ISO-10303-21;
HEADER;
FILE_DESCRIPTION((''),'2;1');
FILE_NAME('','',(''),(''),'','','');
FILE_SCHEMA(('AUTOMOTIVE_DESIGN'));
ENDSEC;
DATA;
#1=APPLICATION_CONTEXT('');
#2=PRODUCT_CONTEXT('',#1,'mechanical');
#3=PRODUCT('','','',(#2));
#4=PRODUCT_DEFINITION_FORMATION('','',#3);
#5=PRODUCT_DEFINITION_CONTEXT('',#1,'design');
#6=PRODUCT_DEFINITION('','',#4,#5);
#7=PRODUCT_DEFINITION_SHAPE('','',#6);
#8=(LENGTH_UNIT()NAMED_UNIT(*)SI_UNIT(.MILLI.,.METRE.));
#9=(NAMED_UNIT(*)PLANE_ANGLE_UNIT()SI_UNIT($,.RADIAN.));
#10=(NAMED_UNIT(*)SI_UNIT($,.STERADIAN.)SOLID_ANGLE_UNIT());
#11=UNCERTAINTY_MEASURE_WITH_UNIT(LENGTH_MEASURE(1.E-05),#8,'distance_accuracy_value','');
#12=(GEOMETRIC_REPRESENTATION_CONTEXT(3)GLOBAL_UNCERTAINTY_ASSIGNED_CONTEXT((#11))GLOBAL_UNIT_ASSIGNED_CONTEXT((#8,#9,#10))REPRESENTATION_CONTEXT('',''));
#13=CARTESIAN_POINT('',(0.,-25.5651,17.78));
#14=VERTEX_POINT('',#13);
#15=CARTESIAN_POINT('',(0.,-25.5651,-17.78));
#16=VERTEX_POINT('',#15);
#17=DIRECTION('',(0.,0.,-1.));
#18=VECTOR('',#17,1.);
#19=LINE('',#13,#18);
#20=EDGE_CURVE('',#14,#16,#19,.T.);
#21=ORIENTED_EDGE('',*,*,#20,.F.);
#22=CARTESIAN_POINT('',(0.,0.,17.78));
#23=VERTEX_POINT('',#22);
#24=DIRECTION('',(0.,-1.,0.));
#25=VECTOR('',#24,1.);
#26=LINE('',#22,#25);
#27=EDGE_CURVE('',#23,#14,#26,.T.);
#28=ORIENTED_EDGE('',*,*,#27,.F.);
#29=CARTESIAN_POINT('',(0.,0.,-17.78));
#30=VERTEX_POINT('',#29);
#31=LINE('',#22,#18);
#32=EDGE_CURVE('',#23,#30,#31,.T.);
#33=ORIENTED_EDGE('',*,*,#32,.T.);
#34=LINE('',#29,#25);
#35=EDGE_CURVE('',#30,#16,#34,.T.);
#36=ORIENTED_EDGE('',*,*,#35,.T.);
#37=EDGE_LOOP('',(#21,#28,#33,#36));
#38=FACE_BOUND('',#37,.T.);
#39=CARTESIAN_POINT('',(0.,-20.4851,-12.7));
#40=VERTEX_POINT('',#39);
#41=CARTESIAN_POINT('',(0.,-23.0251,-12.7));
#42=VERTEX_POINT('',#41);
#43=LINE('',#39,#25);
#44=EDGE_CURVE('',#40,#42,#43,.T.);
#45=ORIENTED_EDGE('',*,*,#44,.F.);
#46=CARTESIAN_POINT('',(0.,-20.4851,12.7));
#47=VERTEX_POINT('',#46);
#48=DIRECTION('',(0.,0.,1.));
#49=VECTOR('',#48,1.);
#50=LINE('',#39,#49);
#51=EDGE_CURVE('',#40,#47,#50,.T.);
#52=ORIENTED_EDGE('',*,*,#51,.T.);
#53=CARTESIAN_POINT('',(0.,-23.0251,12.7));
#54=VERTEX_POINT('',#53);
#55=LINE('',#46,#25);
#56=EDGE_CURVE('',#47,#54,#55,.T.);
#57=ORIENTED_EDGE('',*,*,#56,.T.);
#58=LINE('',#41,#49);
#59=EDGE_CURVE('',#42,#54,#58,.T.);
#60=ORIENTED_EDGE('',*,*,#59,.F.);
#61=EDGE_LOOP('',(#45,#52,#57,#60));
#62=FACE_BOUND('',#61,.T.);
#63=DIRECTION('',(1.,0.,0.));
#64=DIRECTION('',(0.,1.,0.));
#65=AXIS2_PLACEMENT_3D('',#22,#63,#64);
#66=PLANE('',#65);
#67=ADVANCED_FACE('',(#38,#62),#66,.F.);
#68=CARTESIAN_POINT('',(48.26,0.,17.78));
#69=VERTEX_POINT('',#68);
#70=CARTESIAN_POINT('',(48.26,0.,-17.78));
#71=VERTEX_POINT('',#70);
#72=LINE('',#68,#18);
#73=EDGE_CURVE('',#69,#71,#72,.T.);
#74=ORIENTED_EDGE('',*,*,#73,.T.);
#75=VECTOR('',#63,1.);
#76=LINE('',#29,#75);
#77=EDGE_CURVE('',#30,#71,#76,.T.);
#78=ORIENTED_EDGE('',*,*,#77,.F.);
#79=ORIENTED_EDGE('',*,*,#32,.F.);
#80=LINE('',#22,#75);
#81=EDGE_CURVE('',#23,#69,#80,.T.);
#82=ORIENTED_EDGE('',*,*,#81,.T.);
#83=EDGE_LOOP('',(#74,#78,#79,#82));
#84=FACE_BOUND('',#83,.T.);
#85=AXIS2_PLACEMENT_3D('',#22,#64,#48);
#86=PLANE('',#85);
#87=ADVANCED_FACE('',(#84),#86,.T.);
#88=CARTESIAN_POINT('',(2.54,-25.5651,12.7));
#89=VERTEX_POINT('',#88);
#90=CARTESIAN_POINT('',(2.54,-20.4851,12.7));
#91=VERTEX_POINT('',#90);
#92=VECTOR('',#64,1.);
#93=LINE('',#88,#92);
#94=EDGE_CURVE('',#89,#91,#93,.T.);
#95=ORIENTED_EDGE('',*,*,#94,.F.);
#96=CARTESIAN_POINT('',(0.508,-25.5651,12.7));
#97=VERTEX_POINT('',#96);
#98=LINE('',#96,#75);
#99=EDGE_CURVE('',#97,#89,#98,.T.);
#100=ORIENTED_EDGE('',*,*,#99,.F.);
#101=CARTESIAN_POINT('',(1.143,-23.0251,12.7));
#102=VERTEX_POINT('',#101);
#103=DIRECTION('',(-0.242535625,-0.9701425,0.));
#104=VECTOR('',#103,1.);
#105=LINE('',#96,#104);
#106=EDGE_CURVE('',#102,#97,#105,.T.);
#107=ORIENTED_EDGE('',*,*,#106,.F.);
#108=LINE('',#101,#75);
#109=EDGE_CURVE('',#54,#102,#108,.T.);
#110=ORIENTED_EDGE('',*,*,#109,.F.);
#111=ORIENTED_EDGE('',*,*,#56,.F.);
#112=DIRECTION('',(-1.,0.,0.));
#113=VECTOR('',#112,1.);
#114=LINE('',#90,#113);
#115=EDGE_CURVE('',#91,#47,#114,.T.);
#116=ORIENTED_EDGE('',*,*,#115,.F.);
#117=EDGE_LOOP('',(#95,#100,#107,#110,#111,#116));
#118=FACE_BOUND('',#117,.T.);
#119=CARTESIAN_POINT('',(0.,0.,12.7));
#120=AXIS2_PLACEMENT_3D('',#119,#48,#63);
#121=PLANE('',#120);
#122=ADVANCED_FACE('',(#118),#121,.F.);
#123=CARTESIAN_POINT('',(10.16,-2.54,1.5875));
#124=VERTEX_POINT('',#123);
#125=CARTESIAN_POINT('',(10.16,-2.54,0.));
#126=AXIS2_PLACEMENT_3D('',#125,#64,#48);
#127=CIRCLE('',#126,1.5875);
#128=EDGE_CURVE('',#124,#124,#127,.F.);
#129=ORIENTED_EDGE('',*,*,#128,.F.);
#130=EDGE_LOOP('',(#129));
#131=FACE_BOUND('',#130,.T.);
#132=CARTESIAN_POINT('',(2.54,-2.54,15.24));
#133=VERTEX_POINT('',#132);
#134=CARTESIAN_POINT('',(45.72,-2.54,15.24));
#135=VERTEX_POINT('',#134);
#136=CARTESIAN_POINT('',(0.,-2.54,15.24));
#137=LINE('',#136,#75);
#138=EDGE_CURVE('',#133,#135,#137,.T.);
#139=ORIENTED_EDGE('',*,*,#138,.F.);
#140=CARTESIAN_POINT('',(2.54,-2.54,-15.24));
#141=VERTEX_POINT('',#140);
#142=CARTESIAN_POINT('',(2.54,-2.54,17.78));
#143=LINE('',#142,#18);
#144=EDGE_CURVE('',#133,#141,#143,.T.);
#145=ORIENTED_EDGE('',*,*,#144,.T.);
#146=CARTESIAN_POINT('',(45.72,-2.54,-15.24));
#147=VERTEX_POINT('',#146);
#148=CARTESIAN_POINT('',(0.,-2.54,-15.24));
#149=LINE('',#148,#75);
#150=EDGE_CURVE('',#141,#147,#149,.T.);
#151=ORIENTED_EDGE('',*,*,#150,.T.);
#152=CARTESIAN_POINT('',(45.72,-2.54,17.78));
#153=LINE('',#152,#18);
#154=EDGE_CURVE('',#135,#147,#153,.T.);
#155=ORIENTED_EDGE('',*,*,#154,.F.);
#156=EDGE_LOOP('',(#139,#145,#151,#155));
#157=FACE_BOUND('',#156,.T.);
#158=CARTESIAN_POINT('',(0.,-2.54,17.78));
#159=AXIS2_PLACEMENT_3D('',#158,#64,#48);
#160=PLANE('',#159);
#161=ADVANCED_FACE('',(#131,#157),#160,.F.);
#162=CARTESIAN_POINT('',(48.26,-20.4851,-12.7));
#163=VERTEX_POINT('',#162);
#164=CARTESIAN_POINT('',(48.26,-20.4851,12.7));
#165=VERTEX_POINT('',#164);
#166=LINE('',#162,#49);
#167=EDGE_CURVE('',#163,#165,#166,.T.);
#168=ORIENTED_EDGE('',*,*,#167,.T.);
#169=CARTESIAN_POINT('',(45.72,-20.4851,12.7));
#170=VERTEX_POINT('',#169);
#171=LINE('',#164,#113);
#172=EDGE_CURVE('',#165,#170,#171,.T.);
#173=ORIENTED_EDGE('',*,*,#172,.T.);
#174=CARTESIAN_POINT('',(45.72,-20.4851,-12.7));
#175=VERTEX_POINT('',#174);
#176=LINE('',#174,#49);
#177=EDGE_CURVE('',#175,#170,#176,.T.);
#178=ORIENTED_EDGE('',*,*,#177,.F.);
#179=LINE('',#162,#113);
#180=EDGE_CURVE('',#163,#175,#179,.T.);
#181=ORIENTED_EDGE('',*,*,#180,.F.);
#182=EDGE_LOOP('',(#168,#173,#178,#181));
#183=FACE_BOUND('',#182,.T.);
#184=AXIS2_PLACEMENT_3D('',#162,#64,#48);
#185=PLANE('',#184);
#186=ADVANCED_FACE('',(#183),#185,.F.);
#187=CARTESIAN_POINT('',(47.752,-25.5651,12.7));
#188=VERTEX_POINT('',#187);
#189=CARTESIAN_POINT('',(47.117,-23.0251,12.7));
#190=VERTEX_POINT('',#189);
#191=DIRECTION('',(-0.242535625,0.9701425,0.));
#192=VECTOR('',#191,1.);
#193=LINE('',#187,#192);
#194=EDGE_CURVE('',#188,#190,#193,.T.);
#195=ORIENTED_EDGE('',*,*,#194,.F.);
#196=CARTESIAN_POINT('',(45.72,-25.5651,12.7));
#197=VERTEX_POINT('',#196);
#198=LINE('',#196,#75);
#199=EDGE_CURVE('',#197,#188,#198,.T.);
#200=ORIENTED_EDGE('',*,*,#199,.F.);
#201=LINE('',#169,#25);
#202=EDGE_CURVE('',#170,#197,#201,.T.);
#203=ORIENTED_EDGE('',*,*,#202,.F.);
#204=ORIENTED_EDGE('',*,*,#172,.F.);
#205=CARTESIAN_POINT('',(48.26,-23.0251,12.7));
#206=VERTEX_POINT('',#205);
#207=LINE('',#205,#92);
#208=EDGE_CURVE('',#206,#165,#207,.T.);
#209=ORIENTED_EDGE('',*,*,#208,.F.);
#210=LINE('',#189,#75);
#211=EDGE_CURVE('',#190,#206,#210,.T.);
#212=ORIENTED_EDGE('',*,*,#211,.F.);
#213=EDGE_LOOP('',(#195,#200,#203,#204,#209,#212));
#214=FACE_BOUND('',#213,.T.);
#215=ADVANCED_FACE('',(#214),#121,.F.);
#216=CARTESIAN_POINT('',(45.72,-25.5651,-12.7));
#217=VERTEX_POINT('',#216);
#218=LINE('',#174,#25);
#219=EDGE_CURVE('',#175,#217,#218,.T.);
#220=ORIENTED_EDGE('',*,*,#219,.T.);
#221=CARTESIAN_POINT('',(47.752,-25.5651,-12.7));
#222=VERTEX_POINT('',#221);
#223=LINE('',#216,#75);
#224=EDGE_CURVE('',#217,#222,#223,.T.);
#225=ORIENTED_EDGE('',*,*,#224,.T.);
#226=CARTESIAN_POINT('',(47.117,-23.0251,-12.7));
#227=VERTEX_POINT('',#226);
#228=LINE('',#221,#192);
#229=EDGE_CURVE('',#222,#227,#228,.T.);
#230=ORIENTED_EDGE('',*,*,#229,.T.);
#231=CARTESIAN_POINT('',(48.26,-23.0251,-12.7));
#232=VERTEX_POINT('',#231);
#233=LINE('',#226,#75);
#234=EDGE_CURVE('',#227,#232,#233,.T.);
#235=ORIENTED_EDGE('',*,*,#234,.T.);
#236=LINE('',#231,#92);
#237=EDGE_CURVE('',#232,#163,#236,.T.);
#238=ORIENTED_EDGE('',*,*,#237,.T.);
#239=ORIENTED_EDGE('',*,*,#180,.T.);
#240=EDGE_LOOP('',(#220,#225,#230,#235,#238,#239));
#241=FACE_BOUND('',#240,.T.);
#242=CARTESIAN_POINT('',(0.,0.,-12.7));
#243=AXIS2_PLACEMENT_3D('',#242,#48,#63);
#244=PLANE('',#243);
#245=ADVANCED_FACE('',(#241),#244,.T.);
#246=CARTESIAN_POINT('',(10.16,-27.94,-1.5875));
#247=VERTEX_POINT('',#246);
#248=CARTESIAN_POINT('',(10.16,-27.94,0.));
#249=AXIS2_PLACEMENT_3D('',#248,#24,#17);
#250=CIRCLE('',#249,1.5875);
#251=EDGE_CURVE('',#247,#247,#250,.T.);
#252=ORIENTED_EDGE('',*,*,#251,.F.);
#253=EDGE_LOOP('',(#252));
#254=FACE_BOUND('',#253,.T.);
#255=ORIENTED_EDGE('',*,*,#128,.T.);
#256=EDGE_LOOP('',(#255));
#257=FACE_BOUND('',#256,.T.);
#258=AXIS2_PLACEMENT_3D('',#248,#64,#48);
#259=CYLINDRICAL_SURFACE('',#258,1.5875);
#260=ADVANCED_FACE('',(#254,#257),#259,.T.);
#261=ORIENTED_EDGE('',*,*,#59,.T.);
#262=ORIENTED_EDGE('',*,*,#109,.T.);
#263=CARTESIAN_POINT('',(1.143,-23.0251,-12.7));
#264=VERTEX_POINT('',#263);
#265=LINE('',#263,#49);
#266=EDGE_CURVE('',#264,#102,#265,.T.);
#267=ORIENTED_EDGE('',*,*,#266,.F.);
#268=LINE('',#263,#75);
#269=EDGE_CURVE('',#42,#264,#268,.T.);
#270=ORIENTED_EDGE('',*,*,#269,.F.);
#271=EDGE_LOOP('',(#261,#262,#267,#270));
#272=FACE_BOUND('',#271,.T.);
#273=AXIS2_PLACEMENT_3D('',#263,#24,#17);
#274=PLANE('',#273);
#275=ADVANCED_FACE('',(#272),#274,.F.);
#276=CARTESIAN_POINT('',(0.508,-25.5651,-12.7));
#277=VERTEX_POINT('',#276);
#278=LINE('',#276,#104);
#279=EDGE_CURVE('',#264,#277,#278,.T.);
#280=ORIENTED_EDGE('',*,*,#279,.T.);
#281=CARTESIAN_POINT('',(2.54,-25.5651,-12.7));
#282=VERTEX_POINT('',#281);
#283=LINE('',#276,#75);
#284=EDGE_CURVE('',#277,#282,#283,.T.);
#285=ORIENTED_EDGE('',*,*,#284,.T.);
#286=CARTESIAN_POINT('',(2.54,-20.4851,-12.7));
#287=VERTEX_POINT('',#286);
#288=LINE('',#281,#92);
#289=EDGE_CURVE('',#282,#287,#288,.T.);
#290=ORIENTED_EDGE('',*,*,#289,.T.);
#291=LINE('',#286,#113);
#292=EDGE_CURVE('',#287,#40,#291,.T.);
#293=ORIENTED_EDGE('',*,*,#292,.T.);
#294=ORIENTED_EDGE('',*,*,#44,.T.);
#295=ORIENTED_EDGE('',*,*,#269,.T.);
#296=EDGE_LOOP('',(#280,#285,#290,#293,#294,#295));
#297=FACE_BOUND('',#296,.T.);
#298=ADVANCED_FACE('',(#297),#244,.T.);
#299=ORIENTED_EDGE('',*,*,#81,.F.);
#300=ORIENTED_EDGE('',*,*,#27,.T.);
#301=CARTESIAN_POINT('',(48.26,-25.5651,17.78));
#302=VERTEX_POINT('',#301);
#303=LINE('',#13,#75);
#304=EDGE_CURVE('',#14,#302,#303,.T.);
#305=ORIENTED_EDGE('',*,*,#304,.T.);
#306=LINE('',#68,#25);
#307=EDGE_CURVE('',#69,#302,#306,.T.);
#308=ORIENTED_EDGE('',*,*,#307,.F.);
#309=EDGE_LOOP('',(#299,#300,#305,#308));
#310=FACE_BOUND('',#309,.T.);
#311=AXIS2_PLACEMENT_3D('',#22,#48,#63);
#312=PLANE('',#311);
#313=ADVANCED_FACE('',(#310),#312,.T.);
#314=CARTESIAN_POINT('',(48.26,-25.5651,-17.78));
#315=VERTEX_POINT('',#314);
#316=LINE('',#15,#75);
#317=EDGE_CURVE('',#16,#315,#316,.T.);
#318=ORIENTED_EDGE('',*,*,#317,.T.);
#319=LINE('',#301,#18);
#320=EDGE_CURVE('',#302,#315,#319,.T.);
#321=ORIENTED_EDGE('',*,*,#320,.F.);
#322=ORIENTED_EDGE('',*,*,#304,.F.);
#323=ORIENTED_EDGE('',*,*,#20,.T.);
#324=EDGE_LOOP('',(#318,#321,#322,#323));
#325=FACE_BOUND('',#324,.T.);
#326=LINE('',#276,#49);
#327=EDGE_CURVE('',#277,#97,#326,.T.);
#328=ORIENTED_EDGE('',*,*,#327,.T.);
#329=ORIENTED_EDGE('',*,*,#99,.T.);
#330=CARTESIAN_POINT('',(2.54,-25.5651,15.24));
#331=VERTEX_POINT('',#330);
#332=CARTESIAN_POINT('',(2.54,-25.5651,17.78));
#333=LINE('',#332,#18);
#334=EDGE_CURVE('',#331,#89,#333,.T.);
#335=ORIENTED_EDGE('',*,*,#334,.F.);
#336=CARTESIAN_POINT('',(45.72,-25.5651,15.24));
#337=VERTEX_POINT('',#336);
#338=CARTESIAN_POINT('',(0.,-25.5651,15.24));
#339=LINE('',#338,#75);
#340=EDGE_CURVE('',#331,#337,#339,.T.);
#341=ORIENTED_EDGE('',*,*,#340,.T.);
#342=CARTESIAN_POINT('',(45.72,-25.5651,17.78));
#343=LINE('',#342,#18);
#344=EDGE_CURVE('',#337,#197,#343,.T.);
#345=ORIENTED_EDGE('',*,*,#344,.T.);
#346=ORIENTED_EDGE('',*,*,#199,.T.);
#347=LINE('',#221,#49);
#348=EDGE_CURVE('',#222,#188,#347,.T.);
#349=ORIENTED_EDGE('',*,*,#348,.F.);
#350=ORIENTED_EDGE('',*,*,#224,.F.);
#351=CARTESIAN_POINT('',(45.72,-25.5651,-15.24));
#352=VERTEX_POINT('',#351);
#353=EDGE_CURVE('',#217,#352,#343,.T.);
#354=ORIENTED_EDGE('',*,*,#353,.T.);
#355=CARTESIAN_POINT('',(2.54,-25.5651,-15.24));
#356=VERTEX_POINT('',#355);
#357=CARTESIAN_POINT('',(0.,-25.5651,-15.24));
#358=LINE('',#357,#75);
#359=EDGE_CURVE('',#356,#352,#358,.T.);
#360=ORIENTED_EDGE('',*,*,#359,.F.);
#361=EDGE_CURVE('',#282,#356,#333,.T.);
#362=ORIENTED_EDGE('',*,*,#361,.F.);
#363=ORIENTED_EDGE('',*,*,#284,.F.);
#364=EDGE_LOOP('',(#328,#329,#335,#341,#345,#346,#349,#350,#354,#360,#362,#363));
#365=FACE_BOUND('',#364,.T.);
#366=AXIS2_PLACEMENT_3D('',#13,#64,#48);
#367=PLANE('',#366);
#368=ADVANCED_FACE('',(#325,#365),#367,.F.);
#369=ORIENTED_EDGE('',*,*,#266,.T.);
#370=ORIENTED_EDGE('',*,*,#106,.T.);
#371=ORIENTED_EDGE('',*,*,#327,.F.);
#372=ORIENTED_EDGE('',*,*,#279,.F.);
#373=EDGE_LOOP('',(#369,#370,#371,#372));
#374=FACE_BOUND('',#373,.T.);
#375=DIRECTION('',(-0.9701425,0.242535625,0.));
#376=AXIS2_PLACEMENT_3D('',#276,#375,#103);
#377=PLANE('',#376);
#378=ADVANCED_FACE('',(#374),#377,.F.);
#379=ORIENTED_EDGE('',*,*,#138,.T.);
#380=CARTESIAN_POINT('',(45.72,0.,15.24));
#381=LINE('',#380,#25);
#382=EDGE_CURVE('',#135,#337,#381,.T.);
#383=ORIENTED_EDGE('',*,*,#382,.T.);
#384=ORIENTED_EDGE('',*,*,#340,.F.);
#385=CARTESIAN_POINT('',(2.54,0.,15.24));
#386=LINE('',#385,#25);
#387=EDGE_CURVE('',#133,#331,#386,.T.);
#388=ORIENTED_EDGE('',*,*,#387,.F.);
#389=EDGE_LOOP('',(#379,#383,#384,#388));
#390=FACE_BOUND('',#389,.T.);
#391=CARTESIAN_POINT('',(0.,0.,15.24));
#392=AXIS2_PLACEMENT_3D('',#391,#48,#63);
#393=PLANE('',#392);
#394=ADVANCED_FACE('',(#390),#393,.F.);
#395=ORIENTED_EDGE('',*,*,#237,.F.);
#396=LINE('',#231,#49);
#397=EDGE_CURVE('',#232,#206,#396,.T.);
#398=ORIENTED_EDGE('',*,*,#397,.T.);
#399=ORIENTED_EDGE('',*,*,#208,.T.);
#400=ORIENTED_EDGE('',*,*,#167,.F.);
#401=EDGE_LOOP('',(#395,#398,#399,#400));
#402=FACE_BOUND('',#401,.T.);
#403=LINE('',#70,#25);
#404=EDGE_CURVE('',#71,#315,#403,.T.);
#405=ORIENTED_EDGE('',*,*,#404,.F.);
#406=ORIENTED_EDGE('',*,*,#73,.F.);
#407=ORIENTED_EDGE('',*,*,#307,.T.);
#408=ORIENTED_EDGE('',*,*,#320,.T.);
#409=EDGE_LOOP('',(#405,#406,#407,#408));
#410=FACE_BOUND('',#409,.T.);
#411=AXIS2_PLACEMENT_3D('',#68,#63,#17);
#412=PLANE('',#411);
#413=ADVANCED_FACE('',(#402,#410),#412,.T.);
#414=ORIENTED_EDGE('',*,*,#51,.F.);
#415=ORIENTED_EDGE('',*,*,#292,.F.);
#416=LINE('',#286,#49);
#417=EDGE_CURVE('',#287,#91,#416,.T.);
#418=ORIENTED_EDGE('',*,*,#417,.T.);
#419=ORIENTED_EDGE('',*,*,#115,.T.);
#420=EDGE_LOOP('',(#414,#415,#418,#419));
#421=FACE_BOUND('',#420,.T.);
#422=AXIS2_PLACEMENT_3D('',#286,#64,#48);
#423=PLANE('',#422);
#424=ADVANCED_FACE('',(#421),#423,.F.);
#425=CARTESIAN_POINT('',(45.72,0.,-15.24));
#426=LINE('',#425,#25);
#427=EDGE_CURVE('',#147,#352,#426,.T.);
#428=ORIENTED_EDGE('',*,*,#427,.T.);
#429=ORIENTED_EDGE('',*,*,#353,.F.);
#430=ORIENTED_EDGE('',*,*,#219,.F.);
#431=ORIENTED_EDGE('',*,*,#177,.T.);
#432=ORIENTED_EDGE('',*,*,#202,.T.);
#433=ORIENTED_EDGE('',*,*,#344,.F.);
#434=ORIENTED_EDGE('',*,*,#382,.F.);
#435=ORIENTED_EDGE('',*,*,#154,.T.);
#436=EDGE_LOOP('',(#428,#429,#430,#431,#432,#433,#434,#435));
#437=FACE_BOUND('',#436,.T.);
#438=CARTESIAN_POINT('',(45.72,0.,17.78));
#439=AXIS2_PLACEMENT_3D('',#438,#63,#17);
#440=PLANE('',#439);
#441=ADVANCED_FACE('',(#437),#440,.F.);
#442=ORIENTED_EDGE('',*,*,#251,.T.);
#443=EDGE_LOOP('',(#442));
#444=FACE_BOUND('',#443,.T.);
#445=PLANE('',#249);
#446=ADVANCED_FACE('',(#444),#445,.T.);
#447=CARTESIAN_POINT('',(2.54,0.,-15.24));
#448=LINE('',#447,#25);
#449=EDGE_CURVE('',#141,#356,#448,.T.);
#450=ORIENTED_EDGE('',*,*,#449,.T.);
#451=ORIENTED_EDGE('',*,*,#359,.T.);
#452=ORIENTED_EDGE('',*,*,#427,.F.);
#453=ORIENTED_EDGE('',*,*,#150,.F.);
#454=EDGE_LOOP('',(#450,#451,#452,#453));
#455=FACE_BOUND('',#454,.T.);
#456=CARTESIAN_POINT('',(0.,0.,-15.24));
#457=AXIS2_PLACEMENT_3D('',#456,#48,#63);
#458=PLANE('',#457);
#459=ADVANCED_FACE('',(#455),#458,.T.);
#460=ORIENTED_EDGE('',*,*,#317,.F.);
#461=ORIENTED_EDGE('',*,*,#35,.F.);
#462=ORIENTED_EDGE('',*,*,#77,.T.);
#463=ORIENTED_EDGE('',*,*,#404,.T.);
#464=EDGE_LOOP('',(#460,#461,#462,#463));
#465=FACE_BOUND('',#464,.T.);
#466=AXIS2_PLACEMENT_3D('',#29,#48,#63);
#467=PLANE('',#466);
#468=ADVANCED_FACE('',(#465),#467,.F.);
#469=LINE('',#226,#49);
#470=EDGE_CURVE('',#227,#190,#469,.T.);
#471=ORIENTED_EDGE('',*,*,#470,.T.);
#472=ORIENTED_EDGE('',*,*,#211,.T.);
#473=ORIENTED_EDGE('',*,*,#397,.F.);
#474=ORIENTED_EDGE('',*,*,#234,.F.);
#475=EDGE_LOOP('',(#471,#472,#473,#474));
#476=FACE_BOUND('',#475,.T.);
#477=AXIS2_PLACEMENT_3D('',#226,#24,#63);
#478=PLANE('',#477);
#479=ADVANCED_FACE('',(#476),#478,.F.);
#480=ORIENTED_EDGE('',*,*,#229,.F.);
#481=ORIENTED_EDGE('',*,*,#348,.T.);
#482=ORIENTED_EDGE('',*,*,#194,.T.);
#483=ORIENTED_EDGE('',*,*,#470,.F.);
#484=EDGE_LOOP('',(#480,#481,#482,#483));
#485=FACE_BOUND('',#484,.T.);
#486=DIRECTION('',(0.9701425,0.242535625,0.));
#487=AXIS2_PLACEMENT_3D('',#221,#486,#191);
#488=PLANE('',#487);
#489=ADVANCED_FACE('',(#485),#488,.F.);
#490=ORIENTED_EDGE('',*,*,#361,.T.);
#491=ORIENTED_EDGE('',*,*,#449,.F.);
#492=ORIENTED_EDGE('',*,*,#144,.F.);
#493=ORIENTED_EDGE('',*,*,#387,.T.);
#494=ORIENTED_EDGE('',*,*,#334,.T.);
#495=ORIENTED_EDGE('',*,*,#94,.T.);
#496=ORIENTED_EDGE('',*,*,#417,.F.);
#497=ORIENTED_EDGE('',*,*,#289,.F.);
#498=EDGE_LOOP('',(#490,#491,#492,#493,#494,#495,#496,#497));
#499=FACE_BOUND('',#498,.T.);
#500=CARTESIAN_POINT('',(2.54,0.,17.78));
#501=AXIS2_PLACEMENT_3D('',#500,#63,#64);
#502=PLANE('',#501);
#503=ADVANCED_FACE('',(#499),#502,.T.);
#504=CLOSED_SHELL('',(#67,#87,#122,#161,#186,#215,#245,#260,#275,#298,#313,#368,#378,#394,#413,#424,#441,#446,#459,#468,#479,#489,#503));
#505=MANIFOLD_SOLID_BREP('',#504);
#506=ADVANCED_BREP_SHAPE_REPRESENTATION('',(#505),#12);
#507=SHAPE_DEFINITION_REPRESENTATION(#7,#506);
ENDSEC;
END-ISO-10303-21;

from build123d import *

# Parameters (mm, degrees)
SKETCH1_W           = 48.26
SKETCH1_H           = 25.5651
BOSS_EXTRUDE1_DEPTH = 17.78
SHELL1_T            = -2.54
SKETCH2_R           = 1.5875
BOSS_EXTRUDE2_DEPTH = 25.4
CUT_EXTRUDE1_DEPTH  = 12.7


with BuildPart() as part:
    # Sketch1 → Boss-Extrude1 (new, symmetric)
    with BuildSketch(Plane.XY):
        with Locations((24.13, -12.78255)):
            Rectangle(SKETCH1_W, SKETCH1_H)
    extrude(amount=BOSS_EXTRUDE1_DEPTH, both=True)

    # Shell1
    shell1_openings = [part.faces().sort_by_distance(p)[0] for p in [
        (24.13, -25.5651, 0),
    ]]
    offset(amount=SHELL1_T, openings=shell1_openings, kind=Kind.INTERSECTION)

    # Sketch2 → Boss-Extrude2 (add)
    with BuildSketch(Plane.XZ.offset(2.54)):
        with Locations(Location((10.16, 0, 0), (0, 0, 90))):
            Circle(SKETCH2_R)
    extrude(amount=BOSS_EXTRUDE2_DEPTH)

    # Sketch3 → Cut-Extrude1 (cut, symmetric)
    with BuildSketch(Plane.XY):
        Polygon((2.54, -25.5651), (2.54, -20.4851), (0, -20.4851), (0, -23.0251), (1.143, -23.0251), (0.508, -25.5651), align=None)
        Polygon((47.752, -25.5651), (47.117, -23.0251), (48.26, -23.0251), (48.26, -20.4851), (45.72, -20.4851), (45.72, -25.5651), align=None)
    extrude(amount=CUT_EXTRUDE1_DEPTH, both=True, mode=Mode.SUBTRACT)


solid = part.part
